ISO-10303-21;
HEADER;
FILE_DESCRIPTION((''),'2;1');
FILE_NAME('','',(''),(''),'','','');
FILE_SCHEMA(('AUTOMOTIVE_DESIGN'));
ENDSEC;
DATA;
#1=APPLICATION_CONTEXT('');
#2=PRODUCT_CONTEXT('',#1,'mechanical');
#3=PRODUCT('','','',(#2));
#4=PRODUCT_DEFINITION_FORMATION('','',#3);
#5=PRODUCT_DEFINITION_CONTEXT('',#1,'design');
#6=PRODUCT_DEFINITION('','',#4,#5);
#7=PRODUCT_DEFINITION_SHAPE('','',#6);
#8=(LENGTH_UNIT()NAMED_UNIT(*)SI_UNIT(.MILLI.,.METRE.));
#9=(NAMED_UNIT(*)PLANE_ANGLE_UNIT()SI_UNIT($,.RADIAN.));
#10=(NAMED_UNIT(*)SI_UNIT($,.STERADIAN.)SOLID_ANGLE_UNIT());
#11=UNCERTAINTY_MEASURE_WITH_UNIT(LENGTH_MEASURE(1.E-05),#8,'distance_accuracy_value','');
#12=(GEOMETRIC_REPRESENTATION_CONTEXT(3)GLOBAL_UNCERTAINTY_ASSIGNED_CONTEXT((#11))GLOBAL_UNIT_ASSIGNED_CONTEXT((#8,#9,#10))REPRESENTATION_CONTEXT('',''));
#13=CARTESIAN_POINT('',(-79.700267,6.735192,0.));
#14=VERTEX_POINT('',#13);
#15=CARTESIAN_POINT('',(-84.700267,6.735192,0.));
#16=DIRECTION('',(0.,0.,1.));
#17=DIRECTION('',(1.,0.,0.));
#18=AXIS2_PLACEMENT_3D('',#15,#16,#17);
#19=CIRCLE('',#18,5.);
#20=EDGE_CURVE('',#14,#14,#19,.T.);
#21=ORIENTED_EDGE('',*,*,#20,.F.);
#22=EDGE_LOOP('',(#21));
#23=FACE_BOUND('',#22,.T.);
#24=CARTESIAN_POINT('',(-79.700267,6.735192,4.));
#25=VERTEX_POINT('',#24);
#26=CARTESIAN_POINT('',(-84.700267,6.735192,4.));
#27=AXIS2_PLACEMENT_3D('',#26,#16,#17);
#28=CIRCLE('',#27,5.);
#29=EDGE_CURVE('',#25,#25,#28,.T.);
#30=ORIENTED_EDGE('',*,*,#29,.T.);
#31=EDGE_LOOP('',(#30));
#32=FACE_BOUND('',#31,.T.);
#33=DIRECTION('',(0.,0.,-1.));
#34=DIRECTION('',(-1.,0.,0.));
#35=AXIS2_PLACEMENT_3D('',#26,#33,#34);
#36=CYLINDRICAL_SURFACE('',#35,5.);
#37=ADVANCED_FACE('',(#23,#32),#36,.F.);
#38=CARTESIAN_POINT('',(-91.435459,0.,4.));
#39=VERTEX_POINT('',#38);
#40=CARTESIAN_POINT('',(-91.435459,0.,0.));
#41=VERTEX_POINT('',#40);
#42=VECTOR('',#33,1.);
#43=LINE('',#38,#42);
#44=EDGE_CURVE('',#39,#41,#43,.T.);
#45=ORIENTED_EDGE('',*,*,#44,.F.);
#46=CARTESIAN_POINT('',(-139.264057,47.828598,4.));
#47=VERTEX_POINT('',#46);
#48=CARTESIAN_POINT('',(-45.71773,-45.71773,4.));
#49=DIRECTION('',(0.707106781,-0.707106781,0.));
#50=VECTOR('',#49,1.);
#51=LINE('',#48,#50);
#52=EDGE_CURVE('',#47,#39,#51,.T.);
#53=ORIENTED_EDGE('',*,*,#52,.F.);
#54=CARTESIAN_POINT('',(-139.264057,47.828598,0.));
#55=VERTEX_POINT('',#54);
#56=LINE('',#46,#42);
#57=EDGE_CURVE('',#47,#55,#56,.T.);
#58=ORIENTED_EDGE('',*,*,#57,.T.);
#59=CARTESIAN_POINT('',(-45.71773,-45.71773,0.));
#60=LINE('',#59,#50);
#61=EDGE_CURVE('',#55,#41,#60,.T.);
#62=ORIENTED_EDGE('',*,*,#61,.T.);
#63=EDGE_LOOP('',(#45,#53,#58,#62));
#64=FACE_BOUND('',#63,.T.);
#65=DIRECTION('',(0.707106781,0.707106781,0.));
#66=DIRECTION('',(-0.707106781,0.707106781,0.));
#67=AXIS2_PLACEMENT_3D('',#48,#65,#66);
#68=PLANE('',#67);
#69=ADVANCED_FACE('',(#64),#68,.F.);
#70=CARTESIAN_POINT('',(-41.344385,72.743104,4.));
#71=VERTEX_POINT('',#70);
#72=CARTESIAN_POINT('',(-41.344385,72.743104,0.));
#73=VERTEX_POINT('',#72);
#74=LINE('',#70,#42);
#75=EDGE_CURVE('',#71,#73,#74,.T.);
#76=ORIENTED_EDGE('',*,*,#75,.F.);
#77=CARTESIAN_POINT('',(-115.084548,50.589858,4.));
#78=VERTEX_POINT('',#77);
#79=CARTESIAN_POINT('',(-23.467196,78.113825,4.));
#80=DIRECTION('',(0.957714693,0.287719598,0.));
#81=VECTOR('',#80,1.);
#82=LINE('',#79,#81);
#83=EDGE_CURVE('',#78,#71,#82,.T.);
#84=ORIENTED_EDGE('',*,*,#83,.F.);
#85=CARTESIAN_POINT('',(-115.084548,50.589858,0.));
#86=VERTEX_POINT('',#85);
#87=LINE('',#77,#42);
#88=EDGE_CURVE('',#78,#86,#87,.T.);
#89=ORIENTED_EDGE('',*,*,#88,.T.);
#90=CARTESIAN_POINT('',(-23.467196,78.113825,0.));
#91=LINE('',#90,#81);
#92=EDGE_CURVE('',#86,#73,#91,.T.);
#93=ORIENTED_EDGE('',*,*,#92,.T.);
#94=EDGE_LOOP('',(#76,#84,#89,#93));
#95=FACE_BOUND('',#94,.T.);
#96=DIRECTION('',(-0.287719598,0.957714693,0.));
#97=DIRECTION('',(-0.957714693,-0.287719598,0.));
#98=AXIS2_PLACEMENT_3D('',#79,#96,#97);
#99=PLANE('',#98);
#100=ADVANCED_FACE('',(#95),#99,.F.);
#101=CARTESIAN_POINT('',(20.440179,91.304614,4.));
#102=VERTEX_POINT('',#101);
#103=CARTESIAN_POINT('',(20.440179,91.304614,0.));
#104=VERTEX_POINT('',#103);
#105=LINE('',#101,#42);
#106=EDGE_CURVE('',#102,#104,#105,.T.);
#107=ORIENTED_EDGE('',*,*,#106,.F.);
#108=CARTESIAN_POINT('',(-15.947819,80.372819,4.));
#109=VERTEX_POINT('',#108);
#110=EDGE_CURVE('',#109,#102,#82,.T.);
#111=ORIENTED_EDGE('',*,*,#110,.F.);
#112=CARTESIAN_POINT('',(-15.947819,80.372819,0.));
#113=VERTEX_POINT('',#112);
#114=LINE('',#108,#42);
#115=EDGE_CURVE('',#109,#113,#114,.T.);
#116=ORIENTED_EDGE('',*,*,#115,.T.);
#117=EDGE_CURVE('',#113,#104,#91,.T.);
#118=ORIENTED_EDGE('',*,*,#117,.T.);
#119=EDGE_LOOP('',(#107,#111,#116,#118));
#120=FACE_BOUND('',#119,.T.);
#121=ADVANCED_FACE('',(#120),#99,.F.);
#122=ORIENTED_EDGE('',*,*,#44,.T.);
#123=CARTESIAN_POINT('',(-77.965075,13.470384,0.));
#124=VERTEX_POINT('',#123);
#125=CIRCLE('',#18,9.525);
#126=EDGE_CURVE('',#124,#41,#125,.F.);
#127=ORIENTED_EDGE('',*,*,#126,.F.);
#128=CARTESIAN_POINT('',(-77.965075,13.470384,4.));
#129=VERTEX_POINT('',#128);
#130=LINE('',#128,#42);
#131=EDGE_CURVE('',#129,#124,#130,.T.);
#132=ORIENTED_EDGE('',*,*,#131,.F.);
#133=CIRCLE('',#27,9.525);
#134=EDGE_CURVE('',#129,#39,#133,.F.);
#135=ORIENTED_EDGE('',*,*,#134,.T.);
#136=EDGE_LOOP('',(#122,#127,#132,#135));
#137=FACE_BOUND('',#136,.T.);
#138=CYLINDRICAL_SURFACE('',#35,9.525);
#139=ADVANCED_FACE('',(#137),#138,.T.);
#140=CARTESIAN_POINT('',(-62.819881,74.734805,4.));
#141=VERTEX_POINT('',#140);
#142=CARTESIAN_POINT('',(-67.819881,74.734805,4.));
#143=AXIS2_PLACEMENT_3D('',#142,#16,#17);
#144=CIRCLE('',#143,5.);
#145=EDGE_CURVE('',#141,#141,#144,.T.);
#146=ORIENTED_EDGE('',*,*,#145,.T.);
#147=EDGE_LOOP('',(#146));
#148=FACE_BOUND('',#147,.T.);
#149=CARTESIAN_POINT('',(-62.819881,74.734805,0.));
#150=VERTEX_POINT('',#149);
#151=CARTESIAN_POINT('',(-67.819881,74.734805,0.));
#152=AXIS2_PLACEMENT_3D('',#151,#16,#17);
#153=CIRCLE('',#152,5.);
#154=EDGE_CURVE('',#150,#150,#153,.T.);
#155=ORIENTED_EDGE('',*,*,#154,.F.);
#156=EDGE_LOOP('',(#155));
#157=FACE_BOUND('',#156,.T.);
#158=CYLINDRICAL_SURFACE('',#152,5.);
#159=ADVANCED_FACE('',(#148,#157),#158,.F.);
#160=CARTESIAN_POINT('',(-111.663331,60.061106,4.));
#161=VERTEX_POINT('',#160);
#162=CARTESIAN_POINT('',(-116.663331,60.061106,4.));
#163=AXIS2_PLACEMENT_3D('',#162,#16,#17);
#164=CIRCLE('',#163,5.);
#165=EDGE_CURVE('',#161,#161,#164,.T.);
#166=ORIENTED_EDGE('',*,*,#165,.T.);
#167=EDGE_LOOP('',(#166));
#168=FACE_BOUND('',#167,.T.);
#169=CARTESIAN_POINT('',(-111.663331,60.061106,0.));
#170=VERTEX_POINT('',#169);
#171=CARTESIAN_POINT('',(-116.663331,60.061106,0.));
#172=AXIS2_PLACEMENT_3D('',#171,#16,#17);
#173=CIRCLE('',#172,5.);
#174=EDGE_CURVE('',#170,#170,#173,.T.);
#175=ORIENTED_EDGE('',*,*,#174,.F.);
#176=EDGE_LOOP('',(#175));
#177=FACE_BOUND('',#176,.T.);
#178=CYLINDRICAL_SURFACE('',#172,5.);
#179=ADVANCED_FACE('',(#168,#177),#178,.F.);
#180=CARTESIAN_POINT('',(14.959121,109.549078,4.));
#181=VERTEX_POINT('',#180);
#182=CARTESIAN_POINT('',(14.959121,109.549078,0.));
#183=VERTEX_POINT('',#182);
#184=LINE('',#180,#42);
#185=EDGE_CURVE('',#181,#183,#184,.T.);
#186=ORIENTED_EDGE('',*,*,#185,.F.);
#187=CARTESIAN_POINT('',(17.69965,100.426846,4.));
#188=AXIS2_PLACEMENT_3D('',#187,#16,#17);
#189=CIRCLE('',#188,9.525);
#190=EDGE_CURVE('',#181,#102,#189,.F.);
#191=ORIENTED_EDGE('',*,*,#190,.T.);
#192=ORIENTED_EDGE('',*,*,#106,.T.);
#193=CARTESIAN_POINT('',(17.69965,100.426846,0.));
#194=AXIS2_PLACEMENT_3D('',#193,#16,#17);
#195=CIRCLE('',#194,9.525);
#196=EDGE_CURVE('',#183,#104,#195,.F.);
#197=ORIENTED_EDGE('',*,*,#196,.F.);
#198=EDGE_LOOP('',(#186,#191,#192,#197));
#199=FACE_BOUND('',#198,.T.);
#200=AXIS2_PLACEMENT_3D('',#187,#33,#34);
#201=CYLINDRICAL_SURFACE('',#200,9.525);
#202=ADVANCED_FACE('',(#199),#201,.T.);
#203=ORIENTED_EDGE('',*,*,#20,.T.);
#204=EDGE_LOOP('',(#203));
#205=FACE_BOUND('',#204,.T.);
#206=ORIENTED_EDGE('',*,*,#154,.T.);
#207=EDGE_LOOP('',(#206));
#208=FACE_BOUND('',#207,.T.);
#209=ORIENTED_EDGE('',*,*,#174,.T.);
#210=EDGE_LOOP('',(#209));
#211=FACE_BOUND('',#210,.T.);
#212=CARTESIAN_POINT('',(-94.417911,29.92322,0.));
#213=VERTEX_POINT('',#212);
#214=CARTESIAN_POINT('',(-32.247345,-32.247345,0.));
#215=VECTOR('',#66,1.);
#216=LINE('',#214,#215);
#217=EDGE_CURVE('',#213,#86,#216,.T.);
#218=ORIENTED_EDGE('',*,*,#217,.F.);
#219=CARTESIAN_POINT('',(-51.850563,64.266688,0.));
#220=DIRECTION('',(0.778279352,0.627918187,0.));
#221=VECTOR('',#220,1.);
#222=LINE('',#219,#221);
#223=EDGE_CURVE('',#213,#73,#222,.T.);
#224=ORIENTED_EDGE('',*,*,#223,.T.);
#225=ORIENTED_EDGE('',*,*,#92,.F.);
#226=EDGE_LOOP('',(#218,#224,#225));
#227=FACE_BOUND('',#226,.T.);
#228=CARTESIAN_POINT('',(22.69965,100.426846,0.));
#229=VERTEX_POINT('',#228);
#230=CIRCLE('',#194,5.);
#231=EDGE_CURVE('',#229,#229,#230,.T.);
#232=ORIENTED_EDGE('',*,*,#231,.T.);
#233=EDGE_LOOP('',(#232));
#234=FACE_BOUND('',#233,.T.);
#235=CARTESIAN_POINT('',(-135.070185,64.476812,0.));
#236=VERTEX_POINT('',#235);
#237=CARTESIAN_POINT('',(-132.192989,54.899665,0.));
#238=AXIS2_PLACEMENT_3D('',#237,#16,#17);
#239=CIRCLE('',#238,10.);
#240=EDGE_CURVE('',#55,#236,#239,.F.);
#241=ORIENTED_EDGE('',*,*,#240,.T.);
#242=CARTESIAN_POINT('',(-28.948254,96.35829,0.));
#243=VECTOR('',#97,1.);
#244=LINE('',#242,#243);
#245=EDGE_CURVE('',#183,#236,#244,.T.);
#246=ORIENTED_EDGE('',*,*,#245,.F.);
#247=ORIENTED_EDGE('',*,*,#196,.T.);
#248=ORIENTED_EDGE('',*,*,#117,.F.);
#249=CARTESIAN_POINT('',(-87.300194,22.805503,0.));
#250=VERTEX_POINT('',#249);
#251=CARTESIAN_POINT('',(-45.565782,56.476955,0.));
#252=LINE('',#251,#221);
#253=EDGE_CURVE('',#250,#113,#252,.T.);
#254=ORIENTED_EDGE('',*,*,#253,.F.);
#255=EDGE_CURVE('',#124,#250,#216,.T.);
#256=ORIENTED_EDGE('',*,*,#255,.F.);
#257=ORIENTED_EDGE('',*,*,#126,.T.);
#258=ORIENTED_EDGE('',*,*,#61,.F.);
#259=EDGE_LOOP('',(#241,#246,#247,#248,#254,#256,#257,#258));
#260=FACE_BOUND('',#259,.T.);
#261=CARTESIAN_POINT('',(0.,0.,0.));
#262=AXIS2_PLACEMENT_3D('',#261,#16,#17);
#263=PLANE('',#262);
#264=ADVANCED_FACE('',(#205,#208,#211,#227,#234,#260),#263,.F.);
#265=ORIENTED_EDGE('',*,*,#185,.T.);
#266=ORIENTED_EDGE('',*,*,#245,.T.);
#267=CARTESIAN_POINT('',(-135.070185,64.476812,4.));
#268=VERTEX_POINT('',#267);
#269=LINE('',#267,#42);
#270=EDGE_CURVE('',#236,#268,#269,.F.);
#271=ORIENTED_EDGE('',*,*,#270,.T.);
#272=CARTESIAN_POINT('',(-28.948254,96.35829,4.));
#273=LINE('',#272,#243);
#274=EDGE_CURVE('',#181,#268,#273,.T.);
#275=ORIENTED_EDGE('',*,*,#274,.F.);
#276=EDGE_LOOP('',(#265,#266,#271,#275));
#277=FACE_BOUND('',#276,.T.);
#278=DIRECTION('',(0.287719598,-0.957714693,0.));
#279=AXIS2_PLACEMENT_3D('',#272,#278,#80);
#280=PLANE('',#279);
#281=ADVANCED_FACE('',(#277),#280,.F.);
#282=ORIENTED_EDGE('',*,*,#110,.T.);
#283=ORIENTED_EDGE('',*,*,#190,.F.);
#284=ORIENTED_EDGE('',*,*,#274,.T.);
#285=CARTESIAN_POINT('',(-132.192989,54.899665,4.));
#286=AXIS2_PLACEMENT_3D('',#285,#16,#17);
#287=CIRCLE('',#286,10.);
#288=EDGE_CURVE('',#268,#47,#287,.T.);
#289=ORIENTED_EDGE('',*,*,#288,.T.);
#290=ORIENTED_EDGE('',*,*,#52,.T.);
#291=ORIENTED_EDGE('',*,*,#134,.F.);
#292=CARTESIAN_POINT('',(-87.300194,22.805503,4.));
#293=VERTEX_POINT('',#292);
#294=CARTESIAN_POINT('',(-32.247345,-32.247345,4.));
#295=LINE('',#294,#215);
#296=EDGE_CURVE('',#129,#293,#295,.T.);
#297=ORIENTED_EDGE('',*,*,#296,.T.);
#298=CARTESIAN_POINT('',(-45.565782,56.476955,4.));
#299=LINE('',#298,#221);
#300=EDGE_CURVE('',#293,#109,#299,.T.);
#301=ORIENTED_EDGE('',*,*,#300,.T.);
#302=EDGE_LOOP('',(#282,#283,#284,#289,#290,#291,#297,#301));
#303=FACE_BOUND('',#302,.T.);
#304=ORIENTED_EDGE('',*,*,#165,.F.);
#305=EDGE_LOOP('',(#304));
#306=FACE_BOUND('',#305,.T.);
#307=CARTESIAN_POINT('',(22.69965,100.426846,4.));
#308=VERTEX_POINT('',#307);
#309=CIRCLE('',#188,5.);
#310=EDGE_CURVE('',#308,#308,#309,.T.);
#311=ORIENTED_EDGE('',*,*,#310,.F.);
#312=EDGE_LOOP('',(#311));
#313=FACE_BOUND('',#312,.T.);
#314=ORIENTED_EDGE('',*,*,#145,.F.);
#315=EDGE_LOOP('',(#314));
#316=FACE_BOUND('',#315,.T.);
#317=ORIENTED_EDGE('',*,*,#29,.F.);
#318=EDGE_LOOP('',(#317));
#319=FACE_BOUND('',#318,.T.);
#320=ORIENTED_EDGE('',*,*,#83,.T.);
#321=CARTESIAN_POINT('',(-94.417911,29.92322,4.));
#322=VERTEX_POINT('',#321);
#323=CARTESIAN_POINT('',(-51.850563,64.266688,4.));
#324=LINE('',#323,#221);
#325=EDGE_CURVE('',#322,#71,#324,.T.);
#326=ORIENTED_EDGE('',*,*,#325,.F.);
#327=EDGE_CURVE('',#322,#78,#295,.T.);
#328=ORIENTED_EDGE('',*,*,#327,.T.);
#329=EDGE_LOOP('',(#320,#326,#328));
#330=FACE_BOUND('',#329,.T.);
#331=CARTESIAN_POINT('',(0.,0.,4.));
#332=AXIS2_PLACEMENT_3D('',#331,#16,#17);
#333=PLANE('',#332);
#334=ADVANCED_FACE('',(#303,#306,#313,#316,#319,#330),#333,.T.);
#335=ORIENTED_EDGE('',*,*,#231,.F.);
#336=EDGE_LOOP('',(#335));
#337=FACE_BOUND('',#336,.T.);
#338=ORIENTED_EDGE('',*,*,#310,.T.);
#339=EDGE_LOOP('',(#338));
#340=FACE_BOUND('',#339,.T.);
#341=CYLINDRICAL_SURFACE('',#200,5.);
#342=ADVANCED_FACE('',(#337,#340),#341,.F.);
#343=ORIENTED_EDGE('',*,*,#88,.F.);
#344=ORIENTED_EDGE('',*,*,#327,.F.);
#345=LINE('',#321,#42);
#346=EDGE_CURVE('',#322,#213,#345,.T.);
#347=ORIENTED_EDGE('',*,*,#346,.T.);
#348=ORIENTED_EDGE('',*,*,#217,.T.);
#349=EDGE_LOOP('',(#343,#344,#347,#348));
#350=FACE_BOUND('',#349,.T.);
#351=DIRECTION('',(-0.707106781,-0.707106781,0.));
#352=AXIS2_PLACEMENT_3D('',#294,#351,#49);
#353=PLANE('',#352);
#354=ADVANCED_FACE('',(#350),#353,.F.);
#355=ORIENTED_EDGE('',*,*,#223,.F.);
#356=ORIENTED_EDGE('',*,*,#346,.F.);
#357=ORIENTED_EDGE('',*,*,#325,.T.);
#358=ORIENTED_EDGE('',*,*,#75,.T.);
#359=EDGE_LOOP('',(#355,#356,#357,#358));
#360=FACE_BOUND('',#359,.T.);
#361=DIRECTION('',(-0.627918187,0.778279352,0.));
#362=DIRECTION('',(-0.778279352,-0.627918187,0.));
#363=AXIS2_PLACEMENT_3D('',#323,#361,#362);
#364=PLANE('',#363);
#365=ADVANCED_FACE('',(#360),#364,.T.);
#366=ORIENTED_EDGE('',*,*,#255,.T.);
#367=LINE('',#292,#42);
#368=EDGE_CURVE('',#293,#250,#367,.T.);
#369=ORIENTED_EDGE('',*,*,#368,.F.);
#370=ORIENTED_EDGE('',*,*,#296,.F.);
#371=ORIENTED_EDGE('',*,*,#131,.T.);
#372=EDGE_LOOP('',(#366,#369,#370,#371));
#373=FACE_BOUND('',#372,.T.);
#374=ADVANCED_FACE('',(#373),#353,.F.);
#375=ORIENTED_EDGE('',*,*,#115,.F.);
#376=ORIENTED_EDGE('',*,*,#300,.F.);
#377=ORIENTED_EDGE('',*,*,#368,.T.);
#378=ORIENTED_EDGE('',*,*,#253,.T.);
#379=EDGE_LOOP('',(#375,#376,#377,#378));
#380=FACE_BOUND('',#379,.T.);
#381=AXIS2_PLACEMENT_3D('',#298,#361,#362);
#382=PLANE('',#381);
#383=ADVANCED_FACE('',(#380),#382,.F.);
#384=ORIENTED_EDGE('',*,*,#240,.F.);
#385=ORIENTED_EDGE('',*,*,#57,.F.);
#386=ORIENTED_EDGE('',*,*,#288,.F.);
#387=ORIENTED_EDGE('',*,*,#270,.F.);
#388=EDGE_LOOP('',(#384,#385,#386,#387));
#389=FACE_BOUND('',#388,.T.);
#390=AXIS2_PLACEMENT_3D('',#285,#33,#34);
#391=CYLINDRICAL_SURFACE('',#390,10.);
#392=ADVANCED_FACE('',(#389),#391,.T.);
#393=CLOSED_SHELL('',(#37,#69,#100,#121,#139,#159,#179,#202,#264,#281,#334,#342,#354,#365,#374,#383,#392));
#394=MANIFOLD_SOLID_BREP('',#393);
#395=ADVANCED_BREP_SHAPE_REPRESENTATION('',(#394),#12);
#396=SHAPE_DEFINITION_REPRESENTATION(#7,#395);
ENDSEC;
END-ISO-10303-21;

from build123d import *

# Parameters (mm, degrees)
SKETCH2_R           = 5
BOSS_EXTRUDE3_DEPTH = 4
FILLET3_R           = 10
SKETCH5_R           = 5
CUT_EXTRUDE3_DEPTH  = 4


with BuildPart() as part:
    # Sketch2 → Boss-Extrude3 (new body)
    # profile 1 of 2: a face of its own
    with BuildSketch(Plane.XY):
        with BuildLine():
            ThreePointArc((14.959120664, 109.549078448), (26.821882285, 103.16737517), (20.440179007, 91.304613549))
            Line((20.440179007, 91.304613549), (-115.084548239, 50.589857539))
            Line((-115.084548239, 50.589857539), (-77.965074882, 13.470384182))
            ThreePointArc((-77.965074882, 13.470384182), (-77.965074882, 0), (-91.435459064, 0))
            Line((-91.435459064, 0), (-151.097343154, 59.661884091))
            Line((-151.097343154, 59.661884091), (14.959120664, 109.549078448))
        make_face()
        with Locations((17.699649835, 100.426845999)):
            Circle(SKETCH2_R, mode=Mode.SUBTRACT)
        with Locations((-84.700266973, 6.735192091)):
            Circle(SKETCH2_R, mode=Mode.SUBTRACT)
    # profile 2 of 2: a face of its own
    with BuildSketch(Plane.XY):
        Polygon((-94.417910685, 29.923219984), (-87.300193609, 22.805502909), (-15.947819408, 80.372818981), (-41.344385101, 72.743104488), align=None)
    extrude(amount=BOSS_EXTRUDE3_DEPTH)

    # Fillet3
    fillet3_edges = [part.edges().sort_by_distance(p)[0] for p in [
        (-151.097343154, 59.661884091, 2),
    ]]
    fillet(fillet3_edges, radius=FILLET3_R)

    # Sketch5 → Cut-Extrude3 (cut)
    with BuildSketch(Plane.XY.offset(4)):
        with Locations((-116.663330616, 60.061105539)):
            Circle(SKETCH5_R)
        with Locations((-67.81988128, 74.734805039)):
            Circle(SKETCH5_R)
    extrude(amount=-CUT_EXTRUDE3_DEPTH, mode=Mode.SUBTRACT)


solid = part.part
